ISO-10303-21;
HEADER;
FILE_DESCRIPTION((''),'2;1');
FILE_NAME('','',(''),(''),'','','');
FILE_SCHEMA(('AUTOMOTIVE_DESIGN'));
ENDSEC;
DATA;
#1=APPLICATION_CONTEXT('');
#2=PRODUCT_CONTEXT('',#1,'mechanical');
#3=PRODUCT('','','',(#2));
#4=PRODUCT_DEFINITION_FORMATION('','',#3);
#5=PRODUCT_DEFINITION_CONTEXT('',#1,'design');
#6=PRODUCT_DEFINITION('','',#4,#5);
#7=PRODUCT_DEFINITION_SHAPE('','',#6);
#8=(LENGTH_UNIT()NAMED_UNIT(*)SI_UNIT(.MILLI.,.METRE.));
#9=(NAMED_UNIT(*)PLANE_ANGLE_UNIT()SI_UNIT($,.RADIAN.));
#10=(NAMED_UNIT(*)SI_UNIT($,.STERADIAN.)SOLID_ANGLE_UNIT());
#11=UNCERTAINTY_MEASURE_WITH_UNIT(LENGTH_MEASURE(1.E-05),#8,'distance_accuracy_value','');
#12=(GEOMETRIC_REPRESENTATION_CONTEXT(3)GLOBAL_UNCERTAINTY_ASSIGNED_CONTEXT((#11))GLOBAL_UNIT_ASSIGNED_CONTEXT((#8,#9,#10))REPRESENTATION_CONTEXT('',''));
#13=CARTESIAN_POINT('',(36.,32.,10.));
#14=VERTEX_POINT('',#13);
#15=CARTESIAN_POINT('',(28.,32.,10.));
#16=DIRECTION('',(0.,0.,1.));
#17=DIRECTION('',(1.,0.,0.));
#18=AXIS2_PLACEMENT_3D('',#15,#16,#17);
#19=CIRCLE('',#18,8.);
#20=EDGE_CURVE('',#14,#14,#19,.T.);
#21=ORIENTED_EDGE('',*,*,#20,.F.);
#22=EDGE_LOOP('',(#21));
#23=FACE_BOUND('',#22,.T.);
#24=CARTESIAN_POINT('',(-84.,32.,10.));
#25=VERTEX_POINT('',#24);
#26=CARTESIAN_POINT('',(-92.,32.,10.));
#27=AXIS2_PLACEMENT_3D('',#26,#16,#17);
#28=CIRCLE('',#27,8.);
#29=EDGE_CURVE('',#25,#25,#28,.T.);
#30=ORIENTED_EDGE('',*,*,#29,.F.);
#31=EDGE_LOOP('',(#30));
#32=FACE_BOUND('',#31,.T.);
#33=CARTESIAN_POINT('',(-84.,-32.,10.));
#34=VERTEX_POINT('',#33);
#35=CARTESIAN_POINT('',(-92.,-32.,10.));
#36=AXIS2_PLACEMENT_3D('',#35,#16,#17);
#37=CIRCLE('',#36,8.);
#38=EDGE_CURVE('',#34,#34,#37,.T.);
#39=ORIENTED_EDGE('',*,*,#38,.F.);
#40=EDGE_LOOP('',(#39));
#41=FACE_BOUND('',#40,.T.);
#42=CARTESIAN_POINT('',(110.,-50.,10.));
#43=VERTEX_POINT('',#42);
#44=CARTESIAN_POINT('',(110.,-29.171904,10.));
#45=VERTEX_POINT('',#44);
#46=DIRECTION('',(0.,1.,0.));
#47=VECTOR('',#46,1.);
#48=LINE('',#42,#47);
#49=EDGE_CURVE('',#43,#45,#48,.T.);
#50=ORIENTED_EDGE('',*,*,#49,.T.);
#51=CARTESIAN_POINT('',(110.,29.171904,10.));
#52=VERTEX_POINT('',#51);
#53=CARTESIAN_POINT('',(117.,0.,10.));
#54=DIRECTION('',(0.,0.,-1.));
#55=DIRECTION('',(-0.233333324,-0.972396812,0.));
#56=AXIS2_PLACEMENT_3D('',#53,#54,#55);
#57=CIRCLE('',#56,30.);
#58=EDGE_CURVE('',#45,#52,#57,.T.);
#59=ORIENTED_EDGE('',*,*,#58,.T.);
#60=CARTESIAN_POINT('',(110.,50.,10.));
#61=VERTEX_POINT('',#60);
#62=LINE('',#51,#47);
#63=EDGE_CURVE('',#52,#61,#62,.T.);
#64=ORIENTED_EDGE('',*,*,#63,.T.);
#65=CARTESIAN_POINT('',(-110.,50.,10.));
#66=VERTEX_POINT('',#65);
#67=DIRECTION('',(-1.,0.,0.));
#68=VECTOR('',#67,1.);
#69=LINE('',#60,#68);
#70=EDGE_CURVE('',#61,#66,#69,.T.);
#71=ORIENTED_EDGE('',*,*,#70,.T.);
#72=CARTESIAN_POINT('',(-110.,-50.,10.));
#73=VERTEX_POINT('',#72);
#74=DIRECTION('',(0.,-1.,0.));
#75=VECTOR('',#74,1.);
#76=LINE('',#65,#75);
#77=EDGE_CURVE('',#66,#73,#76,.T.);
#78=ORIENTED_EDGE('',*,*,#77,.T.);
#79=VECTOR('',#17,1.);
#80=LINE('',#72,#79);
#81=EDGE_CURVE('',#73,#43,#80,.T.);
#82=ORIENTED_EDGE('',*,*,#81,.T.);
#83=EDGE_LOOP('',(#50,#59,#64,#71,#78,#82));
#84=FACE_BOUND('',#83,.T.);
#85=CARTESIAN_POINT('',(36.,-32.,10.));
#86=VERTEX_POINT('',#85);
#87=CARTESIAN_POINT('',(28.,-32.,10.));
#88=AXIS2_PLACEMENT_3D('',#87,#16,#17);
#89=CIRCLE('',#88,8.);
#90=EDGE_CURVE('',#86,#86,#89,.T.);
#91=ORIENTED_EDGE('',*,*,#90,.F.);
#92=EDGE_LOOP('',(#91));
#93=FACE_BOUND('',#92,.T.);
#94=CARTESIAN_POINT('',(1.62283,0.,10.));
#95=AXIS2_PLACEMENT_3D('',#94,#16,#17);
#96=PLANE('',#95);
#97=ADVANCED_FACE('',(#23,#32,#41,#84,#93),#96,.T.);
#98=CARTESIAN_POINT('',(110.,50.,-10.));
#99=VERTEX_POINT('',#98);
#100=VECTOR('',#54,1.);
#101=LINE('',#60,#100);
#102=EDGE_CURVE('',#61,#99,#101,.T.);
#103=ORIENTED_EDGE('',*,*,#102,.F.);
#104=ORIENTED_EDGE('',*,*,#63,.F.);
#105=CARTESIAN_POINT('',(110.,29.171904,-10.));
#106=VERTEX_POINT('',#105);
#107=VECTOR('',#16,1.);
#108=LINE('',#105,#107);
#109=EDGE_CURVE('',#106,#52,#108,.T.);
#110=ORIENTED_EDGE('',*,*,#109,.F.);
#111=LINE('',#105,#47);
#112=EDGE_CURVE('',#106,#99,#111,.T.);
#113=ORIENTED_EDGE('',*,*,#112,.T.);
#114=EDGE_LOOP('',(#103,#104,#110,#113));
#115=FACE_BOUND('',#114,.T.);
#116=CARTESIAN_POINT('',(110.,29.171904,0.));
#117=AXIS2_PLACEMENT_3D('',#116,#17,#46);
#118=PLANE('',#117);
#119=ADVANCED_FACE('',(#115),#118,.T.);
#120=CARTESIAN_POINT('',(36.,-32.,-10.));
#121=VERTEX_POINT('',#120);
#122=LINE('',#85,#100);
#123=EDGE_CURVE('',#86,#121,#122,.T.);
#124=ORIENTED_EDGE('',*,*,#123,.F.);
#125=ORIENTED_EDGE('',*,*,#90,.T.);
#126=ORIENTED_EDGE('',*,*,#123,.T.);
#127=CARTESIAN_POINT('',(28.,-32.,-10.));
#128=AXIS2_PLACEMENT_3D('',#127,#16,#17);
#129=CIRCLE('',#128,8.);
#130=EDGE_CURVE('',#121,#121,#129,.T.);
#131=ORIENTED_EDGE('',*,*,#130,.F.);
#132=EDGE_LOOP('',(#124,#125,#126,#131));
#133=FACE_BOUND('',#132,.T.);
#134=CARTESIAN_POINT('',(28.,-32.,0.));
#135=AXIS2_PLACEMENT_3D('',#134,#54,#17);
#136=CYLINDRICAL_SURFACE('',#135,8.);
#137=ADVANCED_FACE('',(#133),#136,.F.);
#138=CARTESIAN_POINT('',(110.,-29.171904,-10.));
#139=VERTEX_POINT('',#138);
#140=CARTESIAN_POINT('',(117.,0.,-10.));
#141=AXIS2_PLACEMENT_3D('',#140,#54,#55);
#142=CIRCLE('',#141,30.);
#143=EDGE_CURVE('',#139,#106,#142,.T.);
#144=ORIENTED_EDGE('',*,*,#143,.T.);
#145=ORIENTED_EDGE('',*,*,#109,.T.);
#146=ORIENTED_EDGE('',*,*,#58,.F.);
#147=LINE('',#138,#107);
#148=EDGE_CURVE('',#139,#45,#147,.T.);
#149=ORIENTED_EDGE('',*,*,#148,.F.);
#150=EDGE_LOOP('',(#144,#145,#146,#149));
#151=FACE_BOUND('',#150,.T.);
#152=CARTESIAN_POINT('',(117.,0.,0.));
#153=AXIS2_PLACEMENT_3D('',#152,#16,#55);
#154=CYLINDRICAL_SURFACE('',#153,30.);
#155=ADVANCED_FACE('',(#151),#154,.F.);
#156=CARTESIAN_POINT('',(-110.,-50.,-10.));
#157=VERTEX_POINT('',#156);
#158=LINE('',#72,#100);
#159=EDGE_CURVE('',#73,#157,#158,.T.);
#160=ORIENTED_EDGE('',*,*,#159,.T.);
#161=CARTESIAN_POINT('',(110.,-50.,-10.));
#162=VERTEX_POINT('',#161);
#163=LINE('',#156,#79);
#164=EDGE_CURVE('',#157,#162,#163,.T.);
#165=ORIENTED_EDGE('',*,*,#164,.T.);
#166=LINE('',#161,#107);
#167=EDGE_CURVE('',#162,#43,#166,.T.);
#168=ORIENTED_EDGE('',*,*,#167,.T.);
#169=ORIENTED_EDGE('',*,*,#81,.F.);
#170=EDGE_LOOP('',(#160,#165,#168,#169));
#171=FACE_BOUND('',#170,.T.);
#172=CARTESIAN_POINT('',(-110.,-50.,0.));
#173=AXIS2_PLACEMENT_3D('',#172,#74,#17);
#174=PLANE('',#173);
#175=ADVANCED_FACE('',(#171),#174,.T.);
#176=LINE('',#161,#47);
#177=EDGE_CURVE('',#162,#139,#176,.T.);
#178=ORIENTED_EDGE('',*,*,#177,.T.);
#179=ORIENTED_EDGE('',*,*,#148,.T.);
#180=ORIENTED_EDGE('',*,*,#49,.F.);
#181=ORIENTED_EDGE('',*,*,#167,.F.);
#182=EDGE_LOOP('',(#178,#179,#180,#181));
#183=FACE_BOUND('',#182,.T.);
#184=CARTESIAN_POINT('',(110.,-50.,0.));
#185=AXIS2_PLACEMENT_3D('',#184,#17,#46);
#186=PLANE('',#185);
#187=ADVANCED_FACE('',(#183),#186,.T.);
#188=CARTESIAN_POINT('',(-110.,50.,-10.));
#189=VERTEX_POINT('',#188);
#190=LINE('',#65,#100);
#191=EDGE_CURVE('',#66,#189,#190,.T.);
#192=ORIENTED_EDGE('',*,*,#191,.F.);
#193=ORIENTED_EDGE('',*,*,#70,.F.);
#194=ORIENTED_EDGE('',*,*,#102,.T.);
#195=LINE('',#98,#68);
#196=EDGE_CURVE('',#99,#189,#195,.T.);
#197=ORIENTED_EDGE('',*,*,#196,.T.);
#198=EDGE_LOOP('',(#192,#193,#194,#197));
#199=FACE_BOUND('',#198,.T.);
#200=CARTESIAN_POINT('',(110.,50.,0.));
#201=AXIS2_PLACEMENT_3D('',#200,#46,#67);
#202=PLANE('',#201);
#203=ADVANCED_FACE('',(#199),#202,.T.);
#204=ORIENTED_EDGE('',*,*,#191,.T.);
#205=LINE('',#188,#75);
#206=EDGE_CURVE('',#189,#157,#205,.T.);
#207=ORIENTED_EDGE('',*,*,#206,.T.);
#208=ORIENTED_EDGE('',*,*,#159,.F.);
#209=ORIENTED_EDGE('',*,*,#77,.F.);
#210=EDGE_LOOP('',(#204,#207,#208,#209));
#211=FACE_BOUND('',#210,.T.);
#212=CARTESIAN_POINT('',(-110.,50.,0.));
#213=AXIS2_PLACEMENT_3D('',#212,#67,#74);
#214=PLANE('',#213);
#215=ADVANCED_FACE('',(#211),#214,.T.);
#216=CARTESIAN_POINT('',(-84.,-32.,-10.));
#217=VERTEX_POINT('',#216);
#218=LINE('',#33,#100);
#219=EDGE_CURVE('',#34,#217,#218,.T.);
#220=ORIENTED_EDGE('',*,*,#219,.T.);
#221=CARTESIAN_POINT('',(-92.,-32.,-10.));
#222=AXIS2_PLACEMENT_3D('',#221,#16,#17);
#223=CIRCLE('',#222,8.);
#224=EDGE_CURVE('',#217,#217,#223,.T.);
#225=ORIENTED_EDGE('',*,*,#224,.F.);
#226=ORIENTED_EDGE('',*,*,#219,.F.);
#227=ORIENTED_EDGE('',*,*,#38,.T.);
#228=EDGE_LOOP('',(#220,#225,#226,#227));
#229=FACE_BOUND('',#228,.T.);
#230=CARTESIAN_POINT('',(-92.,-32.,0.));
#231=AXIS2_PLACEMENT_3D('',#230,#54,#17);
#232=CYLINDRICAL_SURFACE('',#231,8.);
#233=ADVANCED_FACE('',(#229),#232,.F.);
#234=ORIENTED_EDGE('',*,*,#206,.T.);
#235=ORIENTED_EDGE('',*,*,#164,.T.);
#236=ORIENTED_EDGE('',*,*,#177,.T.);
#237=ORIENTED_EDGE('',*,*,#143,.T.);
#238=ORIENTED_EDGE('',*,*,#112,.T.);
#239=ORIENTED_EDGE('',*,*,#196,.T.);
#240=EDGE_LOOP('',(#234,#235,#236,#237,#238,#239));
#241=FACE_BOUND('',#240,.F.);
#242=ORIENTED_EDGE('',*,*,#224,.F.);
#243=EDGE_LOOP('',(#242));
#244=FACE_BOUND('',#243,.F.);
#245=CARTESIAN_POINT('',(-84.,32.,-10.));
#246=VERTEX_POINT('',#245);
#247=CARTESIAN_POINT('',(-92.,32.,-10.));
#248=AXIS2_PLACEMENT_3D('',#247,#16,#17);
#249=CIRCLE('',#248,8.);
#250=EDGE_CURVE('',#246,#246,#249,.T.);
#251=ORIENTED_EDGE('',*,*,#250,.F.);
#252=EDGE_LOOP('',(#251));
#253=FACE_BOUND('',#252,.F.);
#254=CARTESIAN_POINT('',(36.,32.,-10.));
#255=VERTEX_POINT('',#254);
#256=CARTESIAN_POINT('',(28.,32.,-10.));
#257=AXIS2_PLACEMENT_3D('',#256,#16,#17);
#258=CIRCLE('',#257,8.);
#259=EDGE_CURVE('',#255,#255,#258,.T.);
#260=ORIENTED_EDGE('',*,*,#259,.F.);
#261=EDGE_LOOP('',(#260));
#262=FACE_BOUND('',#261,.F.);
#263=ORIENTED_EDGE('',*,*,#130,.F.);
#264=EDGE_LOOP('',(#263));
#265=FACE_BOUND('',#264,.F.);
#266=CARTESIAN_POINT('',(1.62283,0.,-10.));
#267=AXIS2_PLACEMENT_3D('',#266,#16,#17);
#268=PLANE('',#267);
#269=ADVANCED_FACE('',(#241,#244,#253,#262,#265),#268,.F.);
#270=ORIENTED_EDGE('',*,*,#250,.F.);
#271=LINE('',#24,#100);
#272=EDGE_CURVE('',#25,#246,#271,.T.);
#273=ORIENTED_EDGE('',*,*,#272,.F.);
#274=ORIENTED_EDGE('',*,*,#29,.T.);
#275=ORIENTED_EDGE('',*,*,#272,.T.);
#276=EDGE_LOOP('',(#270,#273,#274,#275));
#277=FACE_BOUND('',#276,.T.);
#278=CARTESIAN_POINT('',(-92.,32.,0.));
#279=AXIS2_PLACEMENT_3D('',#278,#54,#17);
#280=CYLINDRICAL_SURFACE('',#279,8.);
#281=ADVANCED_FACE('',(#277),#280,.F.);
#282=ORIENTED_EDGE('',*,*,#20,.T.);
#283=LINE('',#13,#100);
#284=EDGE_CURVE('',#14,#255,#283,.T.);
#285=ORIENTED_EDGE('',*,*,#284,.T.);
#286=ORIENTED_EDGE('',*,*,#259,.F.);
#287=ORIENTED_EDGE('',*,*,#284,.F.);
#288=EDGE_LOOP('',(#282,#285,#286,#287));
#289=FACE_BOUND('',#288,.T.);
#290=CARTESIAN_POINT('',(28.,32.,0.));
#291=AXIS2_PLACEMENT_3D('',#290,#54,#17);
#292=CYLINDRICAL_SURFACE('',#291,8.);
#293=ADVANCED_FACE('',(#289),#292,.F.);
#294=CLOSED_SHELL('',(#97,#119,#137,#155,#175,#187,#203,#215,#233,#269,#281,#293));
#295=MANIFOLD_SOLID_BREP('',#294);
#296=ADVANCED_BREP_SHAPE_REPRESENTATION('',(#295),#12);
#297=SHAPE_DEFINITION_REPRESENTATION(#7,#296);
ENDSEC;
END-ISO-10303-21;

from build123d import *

# Parameters (mm, degrees)
F0_R     = 8
F1_DEPTH = 10


with BuildPart() as f1:
    # F0 (on Top) → F1 (new body, symmetric)
    with BuildSketch(Plane.XY):
        with BuildLine():
            Line((-110, -50), (110, -50))
            Line((110, -50), (110, -29.171904))
            ThreePointArc((110, -29.171904), (87, 0), (110, 29.171904))
            Line((110, 29.171904), (110, 50))
            Line((110, 50), (-110, 50))
            Line((-110, 50), (-110, -50))
        make_face()
        with Locations((-92, -32)):
            Circle(F0_R, mode=Mode.SUBTRACT)
        with Locations((28, -32)):
            Circle(F0_R, mode=Mode.SUBTRACT)
        with Locations((-92, 32)):
            Circle(F0_R, mode=Mode.SUBTRACT)
        with Locations((28, 32)):
            Circle(F0_R, mode=Mode.SUBTRACT)
    extrude(amount=F1_DEPTH, both=True)


solid = f1.part
